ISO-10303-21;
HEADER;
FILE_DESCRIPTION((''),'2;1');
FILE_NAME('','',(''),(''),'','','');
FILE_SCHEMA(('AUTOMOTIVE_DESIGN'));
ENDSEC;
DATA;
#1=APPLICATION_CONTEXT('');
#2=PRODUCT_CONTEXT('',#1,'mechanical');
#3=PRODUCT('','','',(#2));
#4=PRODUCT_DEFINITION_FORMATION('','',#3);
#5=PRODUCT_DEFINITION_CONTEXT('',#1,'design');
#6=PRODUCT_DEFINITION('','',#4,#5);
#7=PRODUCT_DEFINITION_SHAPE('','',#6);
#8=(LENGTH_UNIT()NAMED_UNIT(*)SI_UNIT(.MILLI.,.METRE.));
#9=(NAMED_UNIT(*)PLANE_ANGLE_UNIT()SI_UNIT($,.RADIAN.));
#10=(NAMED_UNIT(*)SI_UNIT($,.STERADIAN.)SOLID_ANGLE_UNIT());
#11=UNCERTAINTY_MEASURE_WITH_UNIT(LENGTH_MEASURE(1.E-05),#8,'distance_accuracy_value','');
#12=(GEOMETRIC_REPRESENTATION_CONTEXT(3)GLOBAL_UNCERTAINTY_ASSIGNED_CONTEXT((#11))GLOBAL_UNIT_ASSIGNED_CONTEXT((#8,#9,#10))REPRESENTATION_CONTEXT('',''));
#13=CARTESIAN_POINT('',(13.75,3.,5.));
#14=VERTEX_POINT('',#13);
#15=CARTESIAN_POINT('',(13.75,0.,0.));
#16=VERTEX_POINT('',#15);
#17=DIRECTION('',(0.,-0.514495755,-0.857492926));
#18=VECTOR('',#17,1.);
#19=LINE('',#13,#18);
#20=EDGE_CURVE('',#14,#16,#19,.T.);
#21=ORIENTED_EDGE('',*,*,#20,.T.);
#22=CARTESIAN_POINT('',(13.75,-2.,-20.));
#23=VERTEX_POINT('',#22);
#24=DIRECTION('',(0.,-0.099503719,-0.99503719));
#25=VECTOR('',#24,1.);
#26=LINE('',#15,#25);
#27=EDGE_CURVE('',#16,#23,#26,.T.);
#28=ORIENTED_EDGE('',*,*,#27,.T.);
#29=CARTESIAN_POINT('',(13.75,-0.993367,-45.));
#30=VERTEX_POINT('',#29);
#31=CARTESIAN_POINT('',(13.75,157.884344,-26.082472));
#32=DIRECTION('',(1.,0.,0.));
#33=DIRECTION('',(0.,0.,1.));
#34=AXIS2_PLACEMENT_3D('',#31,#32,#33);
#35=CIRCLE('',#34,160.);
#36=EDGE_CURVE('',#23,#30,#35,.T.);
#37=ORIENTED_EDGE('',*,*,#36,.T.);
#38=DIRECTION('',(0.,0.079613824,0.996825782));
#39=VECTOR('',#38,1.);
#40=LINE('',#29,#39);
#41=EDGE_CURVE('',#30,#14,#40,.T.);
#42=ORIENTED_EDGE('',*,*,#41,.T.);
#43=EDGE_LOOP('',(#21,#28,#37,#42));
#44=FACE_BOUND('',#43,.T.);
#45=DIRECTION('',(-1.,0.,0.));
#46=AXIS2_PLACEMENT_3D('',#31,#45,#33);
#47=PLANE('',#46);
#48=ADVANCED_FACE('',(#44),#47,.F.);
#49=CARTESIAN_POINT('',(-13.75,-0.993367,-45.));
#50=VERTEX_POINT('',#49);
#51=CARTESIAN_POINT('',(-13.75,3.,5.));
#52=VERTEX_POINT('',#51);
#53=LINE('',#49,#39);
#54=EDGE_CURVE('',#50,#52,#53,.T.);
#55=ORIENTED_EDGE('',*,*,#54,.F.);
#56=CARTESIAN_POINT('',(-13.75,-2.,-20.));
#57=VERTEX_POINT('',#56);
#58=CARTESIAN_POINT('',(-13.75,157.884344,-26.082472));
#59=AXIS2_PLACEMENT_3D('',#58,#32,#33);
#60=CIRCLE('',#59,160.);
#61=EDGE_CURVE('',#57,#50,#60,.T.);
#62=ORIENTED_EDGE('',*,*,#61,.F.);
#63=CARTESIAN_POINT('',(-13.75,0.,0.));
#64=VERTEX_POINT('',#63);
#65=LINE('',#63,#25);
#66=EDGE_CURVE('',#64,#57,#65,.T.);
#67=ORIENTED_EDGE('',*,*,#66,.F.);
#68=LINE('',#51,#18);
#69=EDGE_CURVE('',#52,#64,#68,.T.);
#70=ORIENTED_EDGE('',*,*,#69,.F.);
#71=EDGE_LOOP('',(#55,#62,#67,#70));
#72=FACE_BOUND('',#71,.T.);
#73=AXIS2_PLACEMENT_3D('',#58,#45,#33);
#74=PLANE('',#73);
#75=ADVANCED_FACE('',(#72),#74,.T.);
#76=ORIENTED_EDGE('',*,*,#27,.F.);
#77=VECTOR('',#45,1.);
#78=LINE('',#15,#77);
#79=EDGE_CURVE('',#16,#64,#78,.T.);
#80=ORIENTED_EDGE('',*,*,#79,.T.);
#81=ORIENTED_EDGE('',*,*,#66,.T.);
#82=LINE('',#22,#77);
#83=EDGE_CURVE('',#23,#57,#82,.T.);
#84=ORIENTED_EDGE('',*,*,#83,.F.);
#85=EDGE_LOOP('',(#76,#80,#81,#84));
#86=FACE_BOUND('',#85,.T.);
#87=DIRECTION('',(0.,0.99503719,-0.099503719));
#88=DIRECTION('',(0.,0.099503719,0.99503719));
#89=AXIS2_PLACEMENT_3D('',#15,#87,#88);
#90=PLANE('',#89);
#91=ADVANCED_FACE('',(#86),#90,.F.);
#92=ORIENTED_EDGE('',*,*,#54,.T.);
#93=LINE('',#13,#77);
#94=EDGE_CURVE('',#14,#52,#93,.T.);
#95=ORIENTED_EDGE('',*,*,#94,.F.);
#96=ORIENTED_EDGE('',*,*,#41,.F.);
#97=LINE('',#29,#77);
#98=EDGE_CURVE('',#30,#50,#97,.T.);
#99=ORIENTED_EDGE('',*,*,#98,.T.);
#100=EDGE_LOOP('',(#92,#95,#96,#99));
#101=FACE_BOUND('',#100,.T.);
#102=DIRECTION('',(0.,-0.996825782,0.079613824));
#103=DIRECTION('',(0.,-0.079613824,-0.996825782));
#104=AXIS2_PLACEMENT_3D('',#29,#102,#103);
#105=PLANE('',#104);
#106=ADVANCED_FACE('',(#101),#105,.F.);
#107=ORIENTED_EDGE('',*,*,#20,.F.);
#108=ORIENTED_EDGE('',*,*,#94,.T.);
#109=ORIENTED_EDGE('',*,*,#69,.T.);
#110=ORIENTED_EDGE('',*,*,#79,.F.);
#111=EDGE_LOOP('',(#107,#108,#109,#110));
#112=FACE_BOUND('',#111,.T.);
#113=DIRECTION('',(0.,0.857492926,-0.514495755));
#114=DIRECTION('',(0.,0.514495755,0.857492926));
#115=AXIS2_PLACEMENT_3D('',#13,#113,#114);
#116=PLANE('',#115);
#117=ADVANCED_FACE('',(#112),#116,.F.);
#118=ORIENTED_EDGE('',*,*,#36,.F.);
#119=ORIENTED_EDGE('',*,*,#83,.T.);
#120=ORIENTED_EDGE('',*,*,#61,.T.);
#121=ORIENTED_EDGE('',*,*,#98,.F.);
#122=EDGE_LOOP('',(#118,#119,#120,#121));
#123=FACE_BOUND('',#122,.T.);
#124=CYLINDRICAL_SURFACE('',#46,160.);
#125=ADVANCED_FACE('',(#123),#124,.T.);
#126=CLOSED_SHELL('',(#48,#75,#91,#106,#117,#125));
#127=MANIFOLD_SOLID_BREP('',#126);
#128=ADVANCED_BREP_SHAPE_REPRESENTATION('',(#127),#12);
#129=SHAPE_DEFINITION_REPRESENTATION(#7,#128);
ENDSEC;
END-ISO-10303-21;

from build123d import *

# Parameters (mm, degrees)
EXTRUDE_1_DEPTH = 13.75


with BuildPart() as part:
    # 스케치2 → 보스-돌출1 (new body, symmetric)
    with BuildSketch(Plane(origin=(0, 0, 0), x_dir=(0, 0, -1), z_dir=(1, 0, 0))):
        with BuildLine():
            Line((0, 0), (20, -2))
            ThreePointArc((20, -2), (32.519706897, -1.98610958), (45, -0.993367008))
            Line((45, -0.993367008), (-5, 3))
            Line((-5, 3), (0, 0))
        make_face()
    extrude(amount=EXTRUDE_1_DEPTH, both=True)


solid = part.part
